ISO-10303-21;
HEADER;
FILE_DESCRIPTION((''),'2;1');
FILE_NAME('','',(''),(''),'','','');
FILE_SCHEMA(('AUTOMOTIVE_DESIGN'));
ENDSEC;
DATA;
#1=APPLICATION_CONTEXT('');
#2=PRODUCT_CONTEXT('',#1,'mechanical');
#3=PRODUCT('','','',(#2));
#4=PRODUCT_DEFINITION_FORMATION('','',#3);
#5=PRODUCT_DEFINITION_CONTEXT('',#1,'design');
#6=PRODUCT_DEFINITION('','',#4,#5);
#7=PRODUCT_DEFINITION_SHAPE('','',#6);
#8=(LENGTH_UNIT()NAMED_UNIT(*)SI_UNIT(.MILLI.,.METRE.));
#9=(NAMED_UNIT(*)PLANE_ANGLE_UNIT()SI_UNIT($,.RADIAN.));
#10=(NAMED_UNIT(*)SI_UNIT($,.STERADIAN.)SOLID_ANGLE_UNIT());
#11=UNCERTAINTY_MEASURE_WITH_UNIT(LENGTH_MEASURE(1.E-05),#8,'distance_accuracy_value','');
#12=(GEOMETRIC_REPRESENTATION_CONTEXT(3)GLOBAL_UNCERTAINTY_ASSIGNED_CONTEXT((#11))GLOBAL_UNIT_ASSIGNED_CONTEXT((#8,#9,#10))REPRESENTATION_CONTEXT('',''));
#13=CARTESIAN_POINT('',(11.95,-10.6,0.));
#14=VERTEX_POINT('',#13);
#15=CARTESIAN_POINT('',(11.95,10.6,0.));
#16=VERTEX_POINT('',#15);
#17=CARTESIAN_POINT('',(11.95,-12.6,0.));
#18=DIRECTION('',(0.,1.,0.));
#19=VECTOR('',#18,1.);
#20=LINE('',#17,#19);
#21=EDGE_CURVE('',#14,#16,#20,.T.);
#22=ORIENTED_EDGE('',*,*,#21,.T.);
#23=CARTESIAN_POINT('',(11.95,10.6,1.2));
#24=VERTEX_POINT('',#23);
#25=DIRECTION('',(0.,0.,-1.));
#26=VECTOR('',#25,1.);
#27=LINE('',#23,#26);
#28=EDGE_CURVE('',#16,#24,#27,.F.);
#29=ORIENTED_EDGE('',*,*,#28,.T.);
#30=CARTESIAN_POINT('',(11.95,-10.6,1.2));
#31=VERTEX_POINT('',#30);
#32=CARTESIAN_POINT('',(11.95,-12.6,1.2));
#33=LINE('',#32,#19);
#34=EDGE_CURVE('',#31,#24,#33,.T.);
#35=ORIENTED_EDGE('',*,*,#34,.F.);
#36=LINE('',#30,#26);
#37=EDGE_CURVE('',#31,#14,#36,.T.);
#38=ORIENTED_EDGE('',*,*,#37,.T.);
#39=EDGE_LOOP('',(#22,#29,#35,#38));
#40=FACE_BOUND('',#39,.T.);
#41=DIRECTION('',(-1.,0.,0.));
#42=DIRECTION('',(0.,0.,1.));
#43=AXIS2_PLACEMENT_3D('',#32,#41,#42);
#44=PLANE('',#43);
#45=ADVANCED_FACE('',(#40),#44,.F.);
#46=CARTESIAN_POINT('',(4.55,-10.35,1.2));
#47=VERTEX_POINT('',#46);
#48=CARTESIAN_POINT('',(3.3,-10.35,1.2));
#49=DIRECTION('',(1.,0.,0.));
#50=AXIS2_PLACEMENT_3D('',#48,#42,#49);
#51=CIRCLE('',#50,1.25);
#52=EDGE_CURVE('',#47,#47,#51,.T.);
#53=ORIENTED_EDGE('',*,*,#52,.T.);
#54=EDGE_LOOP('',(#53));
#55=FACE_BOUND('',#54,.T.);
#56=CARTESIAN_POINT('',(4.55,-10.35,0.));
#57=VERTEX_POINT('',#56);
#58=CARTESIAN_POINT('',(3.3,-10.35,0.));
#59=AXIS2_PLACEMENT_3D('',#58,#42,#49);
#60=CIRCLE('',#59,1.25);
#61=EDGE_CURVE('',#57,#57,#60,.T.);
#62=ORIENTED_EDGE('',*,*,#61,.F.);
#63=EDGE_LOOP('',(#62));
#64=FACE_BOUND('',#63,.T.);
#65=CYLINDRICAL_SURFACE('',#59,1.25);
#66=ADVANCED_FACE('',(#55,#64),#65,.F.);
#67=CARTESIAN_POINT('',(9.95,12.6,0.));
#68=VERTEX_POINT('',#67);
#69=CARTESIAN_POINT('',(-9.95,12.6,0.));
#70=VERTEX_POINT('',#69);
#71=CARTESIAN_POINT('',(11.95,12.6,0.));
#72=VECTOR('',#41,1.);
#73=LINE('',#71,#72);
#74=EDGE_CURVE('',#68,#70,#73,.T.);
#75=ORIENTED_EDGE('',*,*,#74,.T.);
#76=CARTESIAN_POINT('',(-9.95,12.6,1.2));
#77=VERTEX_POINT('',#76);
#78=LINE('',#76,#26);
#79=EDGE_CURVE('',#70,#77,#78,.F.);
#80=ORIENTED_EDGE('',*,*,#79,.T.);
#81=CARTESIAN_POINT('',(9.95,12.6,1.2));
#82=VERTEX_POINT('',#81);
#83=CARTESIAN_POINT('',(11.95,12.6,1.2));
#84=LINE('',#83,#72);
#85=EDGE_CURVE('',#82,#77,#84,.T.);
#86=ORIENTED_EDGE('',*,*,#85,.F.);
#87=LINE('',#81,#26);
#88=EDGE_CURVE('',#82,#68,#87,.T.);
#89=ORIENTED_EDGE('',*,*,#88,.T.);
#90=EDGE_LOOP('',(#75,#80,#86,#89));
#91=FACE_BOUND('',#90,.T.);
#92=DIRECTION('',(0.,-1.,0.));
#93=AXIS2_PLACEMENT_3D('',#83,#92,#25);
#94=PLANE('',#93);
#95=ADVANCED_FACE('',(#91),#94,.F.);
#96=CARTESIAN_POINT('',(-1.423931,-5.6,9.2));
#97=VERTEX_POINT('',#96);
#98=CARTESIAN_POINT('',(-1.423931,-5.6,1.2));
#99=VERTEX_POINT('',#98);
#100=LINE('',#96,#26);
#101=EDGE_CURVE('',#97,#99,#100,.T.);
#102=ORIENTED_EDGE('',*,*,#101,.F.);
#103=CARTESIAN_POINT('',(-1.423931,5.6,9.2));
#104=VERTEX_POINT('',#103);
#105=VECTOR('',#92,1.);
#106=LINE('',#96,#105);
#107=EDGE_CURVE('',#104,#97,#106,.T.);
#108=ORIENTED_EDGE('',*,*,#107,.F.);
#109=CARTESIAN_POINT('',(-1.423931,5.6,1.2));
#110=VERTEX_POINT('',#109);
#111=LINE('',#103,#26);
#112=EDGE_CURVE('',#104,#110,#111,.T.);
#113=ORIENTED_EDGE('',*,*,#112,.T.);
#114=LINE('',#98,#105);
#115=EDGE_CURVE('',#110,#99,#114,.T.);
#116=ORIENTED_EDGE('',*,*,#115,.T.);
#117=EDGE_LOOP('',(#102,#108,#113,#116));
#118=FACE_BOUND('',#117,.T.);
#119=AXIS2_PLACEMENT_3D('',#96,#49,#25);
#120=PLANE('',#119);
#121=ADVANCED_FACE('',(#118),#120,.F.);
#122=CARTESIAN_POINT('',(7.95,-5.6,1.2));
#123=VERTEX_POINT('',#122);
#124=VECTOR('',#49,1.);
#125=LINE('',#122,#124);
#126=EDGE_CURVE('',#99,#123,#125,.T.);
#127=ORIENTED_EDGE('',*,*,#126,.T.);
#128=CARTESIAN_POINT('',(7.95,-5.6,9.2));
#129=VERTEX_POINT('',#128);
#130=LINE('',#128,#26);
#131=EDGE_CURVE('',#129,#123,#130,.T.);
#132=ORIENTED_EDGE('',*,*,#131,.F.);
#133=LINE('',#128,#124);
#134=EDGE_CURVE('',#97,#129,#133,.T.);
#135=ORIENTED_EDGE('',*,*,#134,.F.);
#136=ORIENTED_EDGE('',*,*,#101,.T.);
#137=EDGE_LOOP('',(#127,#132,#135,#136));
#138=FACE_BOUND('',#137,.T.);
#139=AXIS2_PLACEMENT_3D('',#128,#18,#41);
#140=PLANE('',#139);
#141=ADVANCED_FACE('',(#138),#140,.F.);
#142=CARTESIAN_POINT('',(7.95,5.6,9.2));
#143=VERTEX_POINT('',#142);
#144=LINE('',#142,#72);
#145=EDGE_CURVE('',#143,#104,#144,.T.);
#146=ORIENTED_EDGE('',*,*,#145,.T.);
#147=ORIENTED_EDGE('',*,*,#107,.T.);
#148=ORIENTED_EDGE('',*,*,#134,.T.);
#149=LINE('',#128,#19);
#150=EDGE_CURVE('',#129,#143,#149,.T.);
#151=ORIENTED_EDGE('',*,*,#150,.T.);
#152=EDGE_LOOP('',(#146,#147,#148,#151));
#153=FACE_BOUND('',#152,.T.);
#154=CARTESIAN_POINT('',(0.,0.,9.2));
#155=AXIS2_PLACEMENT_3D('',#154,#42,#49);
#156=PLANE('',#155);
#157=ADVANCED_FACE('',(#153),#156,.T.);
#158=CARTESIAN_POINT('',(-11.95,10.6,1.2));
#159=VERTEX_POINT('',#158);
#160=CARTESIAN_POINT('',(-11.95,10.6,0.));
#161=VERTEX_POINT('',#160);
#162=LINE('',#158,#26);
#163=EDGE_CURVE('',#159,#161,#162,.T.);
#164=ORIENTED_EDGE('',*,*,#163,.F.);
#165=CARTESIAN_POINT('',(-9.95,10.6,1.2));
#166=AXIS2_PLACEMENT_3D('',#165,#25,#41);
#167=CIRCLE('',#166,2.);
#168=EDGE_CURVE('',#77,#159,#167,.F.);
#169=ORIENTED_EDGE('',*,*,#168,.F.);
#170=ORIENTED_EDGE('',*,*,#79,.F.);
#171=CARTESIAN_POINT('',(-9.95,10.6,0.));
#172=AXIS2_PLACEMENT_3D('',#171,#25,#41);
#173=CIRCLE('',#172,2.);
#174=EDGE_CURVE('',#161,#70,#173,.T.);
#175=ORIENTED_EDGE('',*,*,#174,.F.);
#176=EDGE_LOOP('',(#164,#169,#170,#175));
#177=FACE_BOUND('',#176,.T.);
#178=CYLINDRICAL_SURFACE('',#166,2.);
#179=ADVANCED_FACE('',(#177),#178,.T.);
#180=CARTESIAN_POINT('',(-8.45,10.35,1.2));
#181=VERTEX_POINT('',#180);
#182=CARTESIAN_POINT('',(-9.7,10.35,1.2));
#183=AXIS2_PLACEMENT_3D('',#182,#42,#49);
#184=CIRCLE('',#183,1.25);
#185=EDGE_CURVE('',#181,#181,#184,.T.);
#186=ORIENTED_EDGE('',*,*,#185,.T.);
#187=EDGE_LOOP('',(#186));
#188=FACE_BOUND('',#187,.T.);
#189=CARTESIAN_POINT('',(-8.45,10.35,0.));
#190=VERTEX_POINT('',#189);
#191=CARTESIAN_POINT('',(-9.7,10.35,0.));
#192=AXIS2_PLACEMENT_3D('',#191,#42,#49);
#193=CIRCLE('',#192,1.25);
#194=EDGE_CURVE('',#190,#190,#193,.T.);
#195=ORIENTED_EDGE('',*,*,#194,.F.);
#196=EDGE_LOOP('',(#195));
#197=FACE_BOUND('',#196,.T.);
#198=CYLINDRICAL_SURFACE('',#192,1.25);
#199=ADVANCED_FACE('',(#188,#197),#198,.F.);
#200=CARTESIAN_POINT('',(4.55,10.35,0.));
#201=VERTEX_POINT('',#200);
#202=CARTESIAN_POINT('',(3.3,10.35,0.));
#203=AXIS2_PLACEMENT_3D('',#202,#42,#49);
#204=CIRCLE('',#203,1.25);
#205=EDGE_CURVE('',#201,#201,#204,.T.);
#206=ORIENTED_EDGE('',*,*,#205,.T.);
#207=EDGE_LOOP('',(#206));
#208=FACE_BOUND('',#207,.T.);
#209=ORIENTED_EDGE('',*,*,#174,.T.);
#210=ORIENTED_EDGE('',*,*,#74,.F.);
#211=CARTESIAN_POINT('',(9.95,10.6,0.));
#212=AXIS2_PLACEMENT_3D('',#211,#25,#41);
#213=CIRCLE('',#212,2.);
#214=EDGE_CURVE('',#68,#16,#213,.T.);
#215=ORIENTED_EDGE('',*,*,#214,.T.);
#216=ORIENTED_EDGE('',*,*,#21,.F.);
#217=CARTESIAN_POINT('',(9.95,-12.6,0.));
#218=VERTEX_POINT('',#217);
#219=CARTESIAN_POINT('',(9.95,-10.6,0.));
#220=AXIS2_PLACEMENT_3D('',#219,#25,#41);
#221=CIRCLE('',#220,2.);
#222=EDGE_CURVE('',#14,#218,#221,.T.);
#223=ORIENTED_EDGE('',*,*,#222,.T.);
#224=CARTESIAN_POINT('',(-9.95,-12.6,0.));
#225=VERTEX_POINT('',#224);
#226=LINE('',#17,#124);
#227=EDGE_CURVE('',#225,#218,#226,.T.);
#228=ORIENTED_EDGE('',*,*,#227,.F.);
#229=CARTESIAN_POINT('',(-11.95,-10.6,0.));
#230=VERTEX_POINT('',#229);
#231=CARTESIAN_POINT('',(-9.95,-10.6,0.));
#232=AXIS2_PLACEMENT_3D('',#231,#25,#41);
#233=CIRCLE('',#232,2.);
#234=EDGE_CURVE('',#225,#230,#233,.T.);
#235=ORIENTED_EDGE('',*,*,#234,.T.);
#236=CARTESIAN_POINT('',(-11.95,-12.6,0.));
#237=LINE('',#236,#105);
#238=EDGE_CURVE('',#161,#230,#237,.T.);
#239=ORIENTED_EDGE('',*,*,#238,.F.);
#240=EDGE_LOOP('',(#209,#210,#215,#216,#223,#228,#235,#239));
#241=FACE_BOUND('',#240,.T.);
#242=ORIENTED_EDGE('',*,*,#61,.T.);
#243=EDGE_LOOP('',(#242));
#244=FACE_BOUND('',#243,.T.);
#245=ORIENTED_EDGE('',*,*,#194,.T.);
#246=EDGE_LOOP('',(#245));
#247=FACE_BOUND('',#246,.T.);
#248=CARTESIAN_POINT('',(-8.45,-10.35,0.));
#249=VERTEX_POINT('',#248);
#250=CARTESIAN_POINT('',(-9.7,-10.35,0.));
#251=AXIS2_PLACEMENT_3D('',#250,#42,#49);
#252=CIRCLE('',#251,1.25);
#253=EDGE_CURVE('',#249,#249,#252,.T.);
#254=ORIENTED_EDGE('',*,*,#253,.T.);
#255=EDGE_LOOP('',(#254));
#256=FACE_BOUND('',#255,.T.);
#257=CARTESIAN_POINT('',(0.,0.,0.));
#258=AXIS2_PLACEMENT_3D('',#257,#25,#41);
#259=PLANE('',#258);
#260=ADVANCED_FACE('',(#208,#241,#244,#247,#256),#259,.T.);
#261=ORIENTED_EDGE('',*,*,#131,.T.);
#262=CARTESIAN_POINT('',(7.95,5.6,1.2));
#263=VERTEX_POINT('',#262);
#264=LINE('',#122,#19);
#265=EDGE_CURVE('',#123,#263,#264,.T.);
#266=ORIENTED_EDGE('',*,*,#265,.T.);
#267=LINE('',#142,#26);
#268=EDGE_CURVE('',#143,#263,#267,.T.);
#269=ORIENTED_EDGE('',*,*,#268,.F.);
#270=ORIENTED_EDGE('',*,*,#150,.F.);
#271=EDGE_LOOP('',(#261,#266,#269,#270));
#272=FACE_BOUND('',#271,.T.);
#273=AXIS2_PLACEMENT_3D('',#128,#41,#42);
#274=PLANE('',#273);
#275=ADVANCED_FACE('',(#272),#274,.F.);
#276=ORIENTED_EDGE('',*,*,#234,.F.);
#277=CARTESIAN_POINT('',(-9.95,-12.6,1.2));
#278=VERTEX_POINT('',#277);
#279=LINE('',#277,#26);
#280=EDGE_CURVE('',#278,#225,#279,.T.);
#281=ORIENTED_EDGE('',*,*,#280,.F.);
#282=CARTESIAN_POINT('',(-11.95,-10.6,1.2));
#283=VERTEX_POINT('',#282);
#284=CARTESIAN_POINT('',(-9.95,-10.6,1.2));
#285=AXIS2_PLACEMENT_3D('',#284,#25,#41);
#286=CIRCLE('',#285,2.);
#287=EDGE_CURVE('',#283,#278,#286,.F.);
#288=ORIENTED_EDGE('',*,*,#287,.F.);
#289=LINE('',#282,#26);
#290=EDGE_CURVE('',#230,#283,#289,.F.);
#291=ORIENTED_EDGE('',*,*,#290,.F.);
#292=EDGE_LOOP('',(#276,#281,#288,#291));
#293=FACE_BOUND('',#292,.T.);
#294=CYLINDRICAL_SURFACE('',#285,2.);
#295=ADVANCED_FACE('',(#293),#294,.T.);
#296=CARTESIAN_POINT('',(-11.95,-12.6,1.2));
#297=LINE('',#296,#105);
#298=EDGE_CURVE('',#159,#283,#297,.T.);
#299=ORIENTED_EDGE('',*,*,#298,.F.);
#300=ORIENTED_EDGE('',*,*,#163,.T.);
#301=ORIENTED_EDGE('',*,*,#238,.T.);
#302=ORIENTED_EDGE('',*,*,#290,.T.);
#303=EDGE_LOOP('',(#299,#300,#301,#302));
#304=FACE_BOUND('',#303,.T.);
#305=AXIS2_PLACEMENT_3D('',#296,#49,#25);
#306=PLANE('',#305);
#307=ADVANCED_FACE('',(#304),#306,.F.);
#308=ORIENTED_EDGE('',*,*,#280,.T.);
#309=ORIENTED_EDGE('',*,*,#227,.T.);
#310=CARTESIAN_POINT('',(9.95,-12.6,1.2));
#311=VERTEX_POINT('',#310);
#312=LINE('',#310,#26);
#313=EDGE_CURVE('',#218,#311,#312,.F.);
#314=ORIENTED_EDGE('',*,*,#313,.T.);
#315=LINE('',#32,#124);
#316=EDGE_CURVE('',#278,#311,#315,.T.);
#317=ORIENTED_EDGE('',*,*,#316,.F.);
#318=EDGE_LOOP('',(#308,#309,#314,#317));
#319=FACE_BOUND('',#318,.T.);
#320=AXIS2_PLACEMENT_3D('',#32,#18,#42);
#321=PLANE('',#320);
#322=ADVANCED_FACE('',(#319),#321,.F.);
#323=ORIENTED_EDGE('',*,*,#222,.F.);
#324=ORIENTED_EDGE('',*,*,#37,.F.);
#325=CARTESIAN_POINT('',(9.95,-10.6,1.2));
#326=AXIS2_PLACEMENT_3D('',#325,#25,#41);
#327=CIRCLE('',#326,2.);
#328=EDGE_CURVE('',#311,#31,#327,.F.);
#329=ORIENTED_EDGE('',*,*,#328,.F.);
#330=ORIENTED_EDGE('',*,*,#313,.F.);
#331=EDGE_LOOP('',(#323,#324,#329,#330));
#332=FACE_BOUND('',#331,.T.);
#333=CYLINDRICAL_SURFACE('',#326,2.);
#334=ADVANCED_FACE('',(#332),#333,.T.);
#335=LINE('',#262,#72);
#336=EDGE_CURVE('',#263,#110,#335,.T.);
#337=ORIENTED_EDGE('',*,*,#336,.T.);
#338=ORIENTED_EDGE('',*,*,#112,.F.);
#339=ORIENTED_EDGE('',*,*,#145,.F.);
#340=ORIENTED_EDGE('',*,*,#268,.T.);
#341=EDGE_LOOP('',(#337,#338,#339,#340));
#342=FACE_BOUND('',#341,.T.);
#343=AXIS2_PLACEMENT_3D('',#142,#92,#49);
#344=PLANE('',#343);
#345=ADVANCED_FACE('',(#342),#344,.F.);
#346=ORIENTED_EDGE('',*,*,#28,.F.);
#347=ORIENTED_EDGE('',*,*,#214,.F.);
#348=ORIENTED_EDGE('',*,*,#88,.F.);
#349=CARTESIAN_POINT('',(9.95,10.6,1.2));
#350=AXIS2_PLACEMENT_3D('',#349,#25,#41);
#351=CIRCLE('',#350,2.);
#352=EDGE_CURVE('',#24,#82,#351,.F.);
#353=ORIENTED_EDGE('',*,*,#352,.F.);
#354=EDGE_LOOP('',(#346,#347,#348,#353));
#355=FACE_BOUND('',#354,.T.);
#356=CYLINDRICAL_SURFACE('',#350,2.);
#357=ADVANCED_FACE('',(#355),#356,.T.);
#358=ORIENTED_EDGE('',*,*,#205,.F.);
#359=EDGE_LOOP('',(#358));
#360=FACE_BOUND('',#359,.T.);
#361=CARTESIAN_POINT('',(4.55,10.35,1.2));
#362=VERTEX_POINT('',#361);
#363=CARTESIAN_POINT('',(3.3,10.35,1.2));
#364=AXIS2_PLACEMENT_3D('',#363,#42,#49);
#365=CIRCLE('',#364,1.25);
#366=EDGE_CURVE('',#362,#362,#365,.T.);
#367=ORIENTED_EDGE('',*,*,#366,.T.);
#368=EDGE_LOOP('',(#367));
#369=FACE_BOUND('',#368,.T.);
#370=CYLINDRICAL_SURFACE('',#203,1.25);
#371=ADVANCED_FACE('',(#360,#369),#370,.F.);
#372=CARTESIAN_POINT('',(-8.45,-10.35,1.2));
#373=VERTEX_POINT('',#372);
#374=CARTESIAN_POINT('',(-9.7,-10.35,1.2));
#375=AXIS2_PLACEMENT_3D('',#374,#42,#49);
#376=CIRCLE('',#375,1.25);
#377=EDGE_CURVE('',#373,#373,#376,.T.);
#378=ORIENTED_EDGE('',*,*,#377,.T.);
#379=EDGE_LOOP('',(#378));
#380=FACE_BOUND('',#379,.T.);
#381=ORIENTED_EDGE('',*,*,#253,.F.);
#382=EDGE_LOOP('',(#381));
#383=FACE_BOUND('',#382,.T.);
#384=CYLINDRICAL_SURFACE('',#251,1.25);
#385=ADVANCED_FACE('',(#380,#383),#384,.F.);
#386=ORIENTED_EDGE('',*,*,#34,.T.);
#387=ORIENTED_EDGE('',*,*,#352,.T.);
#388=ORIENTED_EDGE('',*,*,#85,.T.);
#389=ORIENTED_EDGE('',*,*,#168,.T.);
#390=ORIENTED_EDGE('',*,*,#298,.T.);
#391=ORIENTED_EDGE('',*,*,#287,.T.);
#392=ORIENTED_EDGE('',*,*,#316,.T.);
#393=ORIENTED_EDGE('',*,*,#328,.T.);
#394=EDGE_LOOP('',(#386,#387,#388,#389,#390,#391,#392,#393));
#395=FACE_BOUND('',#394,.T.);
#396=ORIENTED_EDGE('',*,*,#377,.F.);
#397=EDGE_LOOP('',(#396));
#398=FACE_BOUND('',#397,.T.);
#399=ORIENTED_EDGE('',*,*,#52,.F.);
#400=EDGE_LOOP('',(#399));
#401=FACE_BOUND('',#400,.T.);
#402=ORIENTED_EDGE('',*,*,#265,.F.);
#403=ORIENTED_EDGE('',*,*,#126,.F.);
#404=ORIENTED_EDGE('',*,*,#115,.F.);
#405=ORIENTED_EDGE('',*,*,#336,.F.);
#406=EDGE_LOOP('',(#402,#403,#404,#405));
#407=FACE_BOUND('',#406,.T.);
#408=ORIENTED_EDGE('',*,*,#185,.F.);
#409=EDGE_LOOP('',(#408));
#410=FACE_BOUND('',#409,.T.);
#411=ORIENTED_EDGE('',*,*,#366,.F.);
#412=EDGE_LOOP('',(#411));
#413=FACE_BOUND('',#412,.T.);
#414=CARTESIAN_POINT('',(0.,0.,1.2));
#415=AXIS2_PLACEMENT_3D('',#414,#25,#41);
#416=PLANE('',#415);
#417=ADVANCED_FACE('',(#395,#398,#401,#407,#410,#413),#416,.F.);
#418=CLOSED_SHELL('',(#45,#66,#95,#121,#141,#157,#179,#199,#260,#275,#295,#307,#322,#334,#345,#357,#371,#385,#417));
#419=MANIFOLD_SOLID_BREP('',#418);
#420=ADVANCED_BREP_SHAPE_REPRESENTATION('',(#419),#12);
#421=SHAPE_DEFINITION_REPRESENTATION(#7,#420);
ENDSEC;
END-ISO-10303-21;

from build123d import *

# Parameters (mm, degrees)
CROQUIS1_W              = 25.2
CROQUIS1_H              = 23.9
SALIENTE_EXTRUIR1_DEPTH = 1.2
CROQUIS2_R              = 1.25
CORTAR_EXTRUIR1_DEPTH   = 1.2
REDONDEO1_R             = 2
CROQUIS3_W              = 9.37393079
CROQUIS3_H              = 11.2
SALIENTE_EXTRUIR2_DEPTH = 8


with BuildPart() as part:
    # Croquis1 → Saliente-Extruir1 (new body)
    with BuildSketch(Plane(origin=(0, 0, 0), x_dir=(0, 1, 0), z_dir=(0, 0, 1))):
        Rectangle(CROQUIS1_W, CROQUIS1_H)
    extrude(amount=SALIENTE_EXTRUIR1_DEPTH)

    # Croquis2 → Cortar-Extruir1 (cut)
    with BuildSketch(Plane.XY.offset(1.2)):
        with Locations((-9.7, -10.35)):
            Circle(CROQUIS2_R)
        with Locations((3.3, -10.35)):
            Circle(CROQUIS2_R)
        with Locations((3.3, 10.35)):
            Circle(CROQUIS2_R)
        with Locations((-9.7, 10.35)):
            Circle(CROQUIS2_R)
    extrude(amount=-CORTAR_EXTRUIR1_DEPTH, mode=Mode.SUBTRACT)

    # Redondeo1
    redondeo1_edges = [part.edges().sort_by_distance(p)[0] for p in [
        (11.95, 12.6, 0.6),
        (11.95, -12.6, 0.6),
        (-11.95, -12.6, 0.6),
        (-11.95, 12.6, 0.6),
    ]]
    fillet(redondeo1_edges, radius=REDONDEO1_R)

    # Croquis3 → Saliente-Extruir2 (add)
    with BuildSketch(Plane.XY.offset(1.2)):
        with Locations((3.263034605, 0)):
            Rectangle(CROQUIS3_W, CROQUIS3_H)
    extrude(amount=SALIENTE_EXTRUIR2_DEPTH)


solid = part.part
